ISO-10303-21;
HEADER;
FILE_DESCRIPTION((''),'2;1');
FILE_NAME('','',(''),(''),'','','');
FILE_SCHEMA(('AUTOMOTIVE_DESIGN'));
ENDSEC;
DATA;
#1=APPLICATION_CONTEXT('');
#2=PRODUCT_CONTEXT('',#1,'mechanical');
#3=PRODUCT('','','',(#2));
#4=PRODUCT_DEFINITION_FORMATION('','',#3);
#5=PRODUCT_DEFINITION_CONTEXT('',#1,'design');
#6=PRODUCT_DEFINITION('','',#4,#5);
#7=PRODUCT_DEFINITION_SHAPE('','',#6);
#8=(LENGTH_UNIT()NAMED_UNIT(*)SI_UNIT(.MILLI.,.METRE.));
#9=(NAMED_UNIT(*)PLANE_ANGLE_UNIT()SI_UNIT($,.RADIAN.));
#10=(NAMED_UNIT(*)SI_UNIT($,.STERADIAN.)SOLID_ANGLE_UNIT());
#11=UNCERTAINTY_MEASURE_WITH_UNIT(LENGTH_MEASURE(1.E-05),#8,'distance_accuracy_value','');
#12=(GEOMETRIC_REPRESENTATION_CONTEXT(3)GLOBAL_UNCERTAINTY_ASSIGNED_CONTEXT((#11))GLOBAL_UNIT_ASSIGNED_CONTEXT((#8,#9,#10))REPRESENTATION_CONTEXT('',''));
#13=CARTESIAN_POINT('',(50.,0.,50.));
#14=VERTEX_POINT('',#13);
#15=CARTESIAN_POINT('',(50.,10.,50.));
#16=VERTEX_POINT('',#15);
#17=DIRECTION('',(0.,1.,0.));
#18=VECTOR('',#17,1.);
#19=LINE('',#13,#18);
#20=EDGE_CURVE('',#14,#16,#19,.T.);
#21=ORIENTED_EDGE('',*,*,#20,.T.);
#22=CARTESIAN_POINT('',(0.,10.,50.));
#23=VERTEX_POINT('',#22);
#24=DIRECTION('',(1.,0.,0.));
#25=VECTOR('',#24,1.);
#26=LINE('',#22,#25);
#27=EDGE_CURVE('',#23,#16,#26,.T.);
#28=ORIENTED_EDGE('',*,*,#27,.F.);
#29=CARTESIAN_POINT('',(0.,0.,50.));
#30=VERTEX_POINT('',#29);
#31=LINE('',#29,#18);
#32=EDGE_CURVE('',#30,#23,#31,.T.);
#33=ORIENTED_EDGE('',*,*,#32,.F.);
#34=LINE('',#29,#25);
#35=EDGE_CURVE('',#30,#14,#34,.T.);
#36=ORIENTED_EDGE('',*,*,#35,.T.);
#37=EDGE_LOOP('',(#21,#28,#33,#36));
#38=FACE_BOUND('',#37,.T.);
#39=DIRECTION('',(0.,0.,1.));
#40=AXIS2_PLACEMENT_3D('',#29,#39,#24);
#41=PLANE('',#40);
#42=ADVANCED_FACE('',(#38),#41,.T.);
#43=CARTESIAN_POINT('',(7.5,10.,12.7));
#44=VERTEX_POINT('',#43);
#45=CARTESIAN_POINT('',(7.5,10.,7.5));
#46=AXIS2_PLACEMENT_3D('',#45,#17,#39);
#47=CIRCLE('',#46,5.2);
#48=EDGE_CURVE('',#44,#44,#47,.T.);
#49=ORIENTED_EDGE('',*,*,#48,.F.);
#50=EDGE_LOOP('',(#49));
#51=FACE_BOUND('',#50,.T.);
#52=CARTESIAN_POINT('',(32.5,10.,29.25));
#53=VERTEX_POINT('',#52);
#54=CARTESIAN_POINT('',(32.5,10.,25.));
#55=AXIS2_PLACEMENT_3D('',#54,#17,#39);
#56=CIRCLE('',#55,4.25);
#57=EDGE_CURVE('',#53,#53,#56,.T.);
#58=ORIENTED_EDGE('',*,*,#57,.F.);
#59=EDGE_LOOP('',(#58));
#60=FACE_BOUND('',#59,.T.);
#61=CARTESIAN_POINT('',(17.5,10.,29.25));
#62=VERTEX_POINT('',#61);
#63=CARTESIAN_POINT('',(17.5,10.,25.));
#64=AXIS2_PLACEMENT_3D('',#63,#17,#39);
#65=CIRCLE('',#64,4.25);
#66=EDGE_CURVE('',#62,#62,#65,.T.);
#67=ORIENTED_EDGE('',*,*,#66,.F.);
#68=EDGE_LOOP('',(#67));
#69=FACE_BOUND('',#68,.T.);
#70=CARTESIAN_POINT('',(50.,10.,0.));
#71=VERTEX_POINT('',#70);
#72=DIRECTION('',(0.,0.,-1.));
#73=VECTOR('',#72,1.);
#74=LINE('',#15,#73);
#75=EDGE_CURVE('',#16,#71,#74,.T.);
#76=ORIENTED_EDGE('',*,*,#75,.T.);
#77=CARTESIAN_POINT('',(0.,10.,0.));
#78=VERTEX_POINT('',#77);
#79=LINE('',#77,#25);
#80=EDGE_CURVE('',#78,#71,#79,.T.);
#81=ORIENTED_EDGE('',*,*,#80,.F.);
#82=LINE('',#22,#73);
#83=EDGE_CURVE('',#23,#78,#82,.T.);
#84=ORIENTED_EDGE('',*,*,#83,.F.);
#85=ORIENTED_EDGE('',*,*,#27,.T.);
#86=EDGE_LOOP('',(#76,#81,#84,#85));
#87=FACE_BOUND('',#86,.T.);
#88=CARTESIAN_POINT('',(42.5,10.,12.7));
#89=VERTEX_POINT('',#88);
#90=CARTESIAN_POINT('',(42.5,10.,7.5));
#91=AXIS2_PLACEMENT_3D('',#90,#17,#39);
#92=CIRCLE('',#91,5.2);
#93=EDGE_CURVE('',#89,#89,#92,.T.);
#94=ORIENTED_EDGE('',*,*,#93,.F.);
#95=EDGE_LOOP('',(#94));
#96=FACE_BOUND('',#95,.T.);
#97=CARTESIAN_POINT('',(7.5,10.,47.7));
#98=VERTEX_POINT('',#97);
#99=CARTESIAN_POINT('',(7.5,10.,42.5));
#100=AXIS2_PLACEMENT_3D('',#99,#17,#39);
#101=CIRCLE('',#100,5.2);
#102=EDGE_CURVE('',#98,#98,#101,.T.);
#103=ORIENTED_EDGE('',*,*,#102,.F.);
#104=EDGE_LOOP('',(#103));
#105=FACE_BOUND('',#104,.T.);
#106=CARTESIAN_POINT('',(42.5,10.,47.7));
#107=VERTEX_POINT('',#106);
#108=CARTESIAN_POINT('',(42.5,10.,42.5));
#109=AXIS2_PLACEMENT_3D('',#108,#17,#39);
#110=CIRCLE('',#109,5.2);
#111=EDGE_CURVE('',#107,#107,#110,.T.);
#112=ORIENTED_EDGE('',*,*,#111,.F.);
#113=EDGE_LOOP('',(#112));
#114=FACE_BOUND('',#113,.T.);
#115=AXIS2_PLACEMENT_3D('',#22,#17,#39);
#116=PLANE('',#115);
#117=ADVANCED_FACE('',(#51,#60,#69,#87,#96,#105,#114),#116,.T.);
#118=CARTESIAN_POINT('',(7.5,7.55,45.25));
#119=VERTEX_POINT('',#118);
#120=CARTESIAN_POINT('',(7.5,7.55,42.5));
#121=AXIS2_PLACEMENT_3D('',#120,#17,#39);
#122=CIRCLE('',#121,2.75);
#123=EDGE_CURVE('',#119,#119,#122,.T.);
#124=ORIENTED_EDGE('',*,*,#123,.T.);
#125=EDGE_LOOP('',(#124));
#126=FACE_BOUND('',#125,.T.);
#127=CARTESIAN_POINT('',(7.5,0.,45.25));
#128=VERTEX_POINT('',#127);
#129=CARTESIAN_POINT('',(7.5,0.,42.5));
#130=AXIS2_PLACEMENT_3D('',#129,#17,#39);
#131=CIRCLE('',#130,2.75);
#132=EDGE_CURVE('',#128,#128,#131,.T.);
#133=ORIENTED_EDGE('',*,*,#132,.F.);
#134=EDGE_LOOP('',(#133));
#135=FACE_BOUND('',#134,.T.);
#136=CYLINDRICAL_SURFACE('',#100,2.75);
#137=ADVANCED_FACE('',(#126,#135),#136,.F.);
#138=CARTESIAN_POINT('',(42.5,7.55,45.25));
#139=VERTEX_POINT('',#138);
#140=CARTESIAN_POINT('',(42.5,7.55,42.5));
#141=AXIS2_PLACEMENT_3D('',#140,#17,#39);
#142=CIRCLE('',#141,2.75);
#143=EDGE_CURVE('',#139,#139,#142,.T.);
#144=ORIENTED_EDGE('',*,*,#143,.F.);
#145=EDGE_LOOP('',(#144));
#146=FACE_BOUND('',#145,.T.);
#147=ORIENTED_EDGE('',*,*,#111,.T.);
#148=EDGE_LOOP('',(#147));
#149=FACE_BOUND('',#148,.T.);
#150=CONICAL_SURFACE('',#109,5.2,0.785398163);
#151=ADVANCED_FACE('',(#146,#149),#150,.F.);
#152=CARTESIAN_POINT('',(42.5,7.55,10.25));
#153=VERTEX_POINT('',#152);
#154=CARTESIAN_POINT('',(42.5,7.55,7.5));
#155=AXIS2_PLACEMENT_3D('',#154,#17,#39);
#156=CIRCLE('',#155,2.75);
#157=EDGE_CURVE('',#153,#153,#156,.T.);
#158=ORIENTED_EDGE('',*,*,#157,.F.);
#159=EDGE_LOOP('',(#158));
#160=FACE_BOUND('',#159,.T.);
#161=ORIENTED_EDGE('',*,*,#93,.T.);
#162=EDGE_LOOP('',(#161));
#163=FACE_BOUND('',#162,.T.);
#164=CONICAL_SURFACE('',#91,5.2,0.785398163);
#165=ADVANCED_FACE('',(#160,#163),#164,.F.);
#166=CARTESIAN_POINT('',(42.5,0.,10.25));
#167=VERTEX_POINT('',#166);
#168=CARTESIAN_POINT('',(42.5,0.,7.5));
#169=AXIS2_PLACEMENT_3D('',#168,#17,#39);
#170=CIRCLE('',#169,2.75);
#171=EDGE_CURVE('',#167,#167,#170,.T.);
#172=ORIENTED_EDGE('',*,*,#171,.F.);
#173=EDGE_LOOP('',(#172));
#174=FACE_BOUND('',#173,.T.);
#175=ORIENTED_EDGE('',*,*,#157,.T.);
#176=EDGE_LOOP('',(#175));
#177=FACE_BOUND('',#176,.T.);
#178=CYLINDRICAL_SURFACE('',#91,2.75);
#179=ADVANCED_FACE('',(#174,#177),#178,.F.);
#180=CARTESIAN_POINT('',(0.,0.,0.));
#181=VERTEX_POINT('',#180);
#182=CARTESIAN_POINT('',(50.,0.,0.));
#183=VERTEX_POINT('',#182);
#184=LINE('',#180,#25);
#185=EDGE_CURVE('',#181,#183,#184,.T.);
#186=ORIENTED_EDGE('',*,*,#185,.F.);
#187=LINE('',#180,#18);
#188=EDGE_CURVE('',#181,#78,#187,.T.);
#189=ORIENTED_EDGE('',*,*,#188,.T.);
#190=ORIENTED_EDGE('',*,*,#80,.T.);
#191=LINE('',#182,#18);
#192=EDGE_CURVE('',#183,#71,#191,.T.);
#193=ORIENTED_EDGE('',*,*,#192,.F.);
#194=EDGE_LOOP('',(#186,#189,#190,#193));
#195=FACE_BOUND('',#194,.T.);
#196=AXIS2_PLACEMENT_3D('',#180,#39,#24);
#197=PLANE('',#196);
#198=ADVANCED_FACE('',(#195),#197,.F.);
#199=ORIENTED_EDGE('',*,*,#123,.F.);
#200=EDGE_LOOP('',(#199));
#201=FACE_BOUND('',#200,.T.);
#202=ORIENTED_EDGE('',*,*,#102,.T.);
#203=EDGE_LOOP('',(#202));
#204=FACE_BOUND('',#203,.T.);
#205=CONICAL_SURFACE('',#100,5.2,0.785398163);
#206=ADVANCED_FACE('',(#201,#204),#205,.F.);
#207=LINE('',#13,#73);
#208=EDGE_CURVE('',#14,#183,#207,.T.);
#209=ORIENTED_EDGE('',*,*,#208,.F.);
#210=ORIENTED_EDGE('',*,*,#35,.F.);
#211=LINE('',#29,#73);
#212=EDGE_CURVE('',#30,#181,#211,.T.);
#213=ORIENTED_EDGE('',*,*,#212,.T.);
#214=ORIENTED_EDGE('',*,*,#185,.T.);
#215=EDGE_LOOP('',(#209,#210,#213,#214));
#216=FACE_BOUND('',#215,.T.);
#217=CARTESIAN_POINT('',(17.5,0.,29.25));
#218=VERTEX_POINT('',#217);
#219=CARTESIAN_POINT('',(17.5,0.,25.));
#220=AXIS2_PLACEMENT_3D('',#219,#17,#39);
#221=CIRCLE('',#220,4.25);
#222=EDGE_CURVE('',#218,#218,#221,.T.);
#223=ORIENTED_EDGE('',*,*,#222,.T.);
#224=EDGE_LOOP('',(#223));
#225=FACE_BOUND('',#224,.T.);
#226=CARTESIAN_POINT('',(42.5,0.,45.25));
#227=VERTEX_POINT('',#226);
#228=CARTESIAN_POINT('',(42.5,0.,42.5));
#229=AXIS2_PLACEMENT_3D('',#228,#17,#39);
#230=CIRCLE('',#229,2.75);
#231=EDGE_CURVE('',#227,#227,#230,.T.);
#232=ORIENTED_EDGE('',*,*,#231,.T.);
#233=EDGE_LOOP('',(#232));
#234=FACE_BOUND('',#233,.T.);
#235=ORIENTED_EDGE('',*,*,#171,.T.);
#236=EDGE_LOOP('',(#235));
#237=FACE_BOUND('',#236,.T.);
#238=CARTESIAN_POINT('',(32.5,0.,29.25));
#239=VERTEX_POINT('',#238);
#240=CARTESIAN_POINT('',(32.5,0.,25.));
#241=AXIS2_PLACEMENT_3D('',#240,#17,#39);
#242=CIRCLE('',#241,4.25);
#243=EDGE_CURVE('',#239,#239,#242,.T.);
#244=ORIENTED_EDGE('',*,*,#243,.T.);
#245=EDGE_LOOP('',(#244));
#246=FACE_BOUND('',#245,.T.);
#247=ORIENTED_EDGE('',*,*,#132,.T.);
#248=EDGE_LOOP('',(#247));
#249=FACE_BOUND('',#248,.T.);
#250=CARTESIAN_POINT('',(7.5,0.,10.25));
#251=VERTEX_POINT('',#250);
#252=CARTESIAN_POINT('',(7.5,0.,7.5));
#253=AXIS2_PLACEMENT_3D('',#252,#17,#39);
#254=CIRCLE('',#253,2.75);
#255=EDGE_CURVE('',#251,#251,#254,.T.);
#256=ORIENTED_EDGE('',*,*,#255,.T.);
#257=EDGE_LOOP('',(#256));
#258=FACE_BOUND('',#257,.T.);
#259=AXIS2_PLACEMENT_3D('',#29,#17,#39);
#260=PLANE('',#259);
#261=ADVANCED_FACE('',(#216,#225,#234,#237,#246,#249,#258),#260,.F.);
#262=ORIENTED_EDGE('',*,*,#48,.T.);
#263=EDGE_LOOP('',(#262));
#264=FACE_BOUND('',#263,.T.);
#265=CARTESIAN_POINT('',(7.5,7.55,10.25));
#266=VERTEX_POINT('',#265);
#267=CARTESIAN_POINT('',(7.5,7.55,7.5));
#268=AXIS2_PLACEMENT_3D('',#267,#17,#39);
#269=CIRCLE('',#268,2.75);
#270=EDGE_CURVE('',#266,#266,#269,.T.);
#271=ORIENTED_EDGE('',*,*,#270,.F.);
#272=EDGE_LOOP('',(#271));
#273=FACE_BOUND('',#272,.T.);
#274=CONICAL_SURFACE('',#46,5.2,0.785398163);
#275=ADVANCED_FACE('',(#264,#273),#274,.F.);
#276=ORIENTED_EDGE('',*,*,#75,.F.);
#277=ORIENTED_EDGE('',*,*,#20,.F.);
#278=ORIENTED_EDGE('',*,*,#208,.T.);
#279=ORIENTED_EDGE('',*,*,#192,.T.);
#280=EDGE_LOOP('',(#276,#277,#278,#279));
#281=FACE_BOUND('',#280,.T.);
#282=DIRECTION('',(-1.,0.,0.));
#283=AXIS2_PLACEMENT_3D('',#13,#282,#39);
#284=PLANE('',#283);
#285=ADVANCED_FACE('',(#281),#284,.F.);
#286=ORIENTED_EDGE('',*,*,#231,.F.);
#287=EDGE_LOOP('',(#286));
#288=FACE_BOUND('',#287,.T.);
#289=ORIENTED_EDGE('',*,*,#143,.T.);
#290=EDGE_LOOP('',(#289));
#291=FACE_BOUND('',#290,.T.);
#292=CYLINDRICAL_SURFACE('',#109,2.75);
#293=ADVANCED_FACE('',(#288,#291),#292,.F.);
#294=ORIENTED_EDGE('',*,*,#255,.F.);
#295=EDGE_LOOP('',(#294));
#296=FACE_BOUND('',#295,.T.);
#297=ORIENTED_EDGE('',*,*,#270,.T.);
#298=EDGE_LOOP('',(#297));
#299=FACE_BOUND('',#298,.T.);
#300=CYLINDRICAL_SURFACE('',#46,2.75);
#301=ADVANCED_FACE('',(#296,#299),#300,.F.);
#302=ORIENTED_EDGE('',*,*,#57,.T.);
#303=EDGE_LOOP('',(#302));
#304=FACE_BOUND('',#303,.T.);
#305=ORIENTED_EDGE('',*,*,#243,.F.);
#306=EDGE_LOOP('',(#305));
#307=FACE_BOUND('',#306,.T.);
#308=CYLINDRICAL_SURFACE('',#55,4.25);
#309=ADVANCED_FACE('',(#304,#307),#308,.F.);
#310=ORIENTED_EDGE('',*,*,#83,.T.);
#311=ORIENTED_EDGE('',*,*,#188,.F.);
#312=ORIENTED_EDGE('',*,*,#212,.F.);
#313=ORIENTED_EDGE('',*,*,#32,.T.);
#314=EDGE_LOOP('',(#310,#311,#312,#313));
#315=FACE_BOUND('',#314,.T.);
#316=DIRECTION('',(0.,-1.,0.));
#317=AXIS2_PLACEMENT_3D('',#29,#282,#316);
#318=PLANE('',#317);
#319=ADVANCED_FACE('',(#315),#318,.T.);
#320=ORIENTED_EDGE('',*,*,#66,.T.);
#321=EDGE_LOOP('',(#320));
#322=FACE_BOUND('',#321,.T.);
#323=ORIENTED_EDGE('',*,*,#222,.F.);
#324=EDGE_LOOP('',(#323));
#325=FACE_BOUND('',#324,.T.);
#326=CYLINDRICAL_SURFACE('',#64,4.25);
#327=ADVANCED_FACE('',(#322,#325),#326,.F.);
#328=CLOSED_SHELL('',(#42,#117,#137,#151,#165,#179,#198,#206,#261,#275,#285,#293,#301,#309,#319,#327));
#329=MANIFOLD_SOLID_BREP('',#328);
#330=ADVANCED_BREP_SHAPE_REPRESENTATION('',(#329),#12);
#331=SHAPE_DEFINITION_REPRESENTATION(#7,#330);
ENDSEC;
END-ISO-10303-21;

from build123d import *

# Parameters (mm, degrees)
SKETCH2_W                                       = 50
SKETCH2_H                                       = 10
BOSS_EXTRUDE1_DEPTH                             = 50
TAP_DRILL_FOR_M10_TAP1_D                        = 8.5
CSK_FOR_M5_FLAT_HEAD_MACHINE_SCREW2_D           = 5.5
CSK_FOR_M5_FLAT_HEAD_MACHINE_SCREW2_CSINK_D     = 10.4
CSK_FOR_M5_FLAT_HEAD_MACHINE_SCREW2_CSINK_ANGLE = 90


with BuildPart() as part:
    # Sketch2 → Boss-Extrude1 (new body)
    with BuildSketch(Plane.XY):
        with Locations((25, 5)):
            Rectangle(SKETCH2_W, SKETCH2_H)
    extrude(amount=BOSS_EXTRUDE1_DEPTH)

    # Tap Drill for M10 Tap1 (through all)
    with Locations(Plane(origin=(0, 10, 0), x_dir=(1, 0, 0), z_dir=(0, 1, 0))):
        with Locations((17.5, -25), (32.5, -25)):
            Hole(TAP_DRILL_FOR_M10_TAP1_D / 2)

    # CSK for M5 Flat Head Machine Screw2 (through all)
    with Locations(Plane(origin=(0, 10, 0), x_dir=(1, 0, 0), z_dir=(0, 1, 0))):
        with Locations((7.5, -7.5), (42.5, -7.5), (42.5, -42.5), (7.5, -42.5)):
            CounterSinkHole(CSK_FOR_M5_FLAT_HEAD_MACHINE_SCREW2_D / 2, CSK_FOR_M5_FLAT_HEAD_MACHINE_SCREW2_CSINK_D / 2, counter_sink_angle=CSK_FOR_M5_FLAT_HEAD_MACHINE_SCREW2_CSINK_ANGLE)


solid = part.part
